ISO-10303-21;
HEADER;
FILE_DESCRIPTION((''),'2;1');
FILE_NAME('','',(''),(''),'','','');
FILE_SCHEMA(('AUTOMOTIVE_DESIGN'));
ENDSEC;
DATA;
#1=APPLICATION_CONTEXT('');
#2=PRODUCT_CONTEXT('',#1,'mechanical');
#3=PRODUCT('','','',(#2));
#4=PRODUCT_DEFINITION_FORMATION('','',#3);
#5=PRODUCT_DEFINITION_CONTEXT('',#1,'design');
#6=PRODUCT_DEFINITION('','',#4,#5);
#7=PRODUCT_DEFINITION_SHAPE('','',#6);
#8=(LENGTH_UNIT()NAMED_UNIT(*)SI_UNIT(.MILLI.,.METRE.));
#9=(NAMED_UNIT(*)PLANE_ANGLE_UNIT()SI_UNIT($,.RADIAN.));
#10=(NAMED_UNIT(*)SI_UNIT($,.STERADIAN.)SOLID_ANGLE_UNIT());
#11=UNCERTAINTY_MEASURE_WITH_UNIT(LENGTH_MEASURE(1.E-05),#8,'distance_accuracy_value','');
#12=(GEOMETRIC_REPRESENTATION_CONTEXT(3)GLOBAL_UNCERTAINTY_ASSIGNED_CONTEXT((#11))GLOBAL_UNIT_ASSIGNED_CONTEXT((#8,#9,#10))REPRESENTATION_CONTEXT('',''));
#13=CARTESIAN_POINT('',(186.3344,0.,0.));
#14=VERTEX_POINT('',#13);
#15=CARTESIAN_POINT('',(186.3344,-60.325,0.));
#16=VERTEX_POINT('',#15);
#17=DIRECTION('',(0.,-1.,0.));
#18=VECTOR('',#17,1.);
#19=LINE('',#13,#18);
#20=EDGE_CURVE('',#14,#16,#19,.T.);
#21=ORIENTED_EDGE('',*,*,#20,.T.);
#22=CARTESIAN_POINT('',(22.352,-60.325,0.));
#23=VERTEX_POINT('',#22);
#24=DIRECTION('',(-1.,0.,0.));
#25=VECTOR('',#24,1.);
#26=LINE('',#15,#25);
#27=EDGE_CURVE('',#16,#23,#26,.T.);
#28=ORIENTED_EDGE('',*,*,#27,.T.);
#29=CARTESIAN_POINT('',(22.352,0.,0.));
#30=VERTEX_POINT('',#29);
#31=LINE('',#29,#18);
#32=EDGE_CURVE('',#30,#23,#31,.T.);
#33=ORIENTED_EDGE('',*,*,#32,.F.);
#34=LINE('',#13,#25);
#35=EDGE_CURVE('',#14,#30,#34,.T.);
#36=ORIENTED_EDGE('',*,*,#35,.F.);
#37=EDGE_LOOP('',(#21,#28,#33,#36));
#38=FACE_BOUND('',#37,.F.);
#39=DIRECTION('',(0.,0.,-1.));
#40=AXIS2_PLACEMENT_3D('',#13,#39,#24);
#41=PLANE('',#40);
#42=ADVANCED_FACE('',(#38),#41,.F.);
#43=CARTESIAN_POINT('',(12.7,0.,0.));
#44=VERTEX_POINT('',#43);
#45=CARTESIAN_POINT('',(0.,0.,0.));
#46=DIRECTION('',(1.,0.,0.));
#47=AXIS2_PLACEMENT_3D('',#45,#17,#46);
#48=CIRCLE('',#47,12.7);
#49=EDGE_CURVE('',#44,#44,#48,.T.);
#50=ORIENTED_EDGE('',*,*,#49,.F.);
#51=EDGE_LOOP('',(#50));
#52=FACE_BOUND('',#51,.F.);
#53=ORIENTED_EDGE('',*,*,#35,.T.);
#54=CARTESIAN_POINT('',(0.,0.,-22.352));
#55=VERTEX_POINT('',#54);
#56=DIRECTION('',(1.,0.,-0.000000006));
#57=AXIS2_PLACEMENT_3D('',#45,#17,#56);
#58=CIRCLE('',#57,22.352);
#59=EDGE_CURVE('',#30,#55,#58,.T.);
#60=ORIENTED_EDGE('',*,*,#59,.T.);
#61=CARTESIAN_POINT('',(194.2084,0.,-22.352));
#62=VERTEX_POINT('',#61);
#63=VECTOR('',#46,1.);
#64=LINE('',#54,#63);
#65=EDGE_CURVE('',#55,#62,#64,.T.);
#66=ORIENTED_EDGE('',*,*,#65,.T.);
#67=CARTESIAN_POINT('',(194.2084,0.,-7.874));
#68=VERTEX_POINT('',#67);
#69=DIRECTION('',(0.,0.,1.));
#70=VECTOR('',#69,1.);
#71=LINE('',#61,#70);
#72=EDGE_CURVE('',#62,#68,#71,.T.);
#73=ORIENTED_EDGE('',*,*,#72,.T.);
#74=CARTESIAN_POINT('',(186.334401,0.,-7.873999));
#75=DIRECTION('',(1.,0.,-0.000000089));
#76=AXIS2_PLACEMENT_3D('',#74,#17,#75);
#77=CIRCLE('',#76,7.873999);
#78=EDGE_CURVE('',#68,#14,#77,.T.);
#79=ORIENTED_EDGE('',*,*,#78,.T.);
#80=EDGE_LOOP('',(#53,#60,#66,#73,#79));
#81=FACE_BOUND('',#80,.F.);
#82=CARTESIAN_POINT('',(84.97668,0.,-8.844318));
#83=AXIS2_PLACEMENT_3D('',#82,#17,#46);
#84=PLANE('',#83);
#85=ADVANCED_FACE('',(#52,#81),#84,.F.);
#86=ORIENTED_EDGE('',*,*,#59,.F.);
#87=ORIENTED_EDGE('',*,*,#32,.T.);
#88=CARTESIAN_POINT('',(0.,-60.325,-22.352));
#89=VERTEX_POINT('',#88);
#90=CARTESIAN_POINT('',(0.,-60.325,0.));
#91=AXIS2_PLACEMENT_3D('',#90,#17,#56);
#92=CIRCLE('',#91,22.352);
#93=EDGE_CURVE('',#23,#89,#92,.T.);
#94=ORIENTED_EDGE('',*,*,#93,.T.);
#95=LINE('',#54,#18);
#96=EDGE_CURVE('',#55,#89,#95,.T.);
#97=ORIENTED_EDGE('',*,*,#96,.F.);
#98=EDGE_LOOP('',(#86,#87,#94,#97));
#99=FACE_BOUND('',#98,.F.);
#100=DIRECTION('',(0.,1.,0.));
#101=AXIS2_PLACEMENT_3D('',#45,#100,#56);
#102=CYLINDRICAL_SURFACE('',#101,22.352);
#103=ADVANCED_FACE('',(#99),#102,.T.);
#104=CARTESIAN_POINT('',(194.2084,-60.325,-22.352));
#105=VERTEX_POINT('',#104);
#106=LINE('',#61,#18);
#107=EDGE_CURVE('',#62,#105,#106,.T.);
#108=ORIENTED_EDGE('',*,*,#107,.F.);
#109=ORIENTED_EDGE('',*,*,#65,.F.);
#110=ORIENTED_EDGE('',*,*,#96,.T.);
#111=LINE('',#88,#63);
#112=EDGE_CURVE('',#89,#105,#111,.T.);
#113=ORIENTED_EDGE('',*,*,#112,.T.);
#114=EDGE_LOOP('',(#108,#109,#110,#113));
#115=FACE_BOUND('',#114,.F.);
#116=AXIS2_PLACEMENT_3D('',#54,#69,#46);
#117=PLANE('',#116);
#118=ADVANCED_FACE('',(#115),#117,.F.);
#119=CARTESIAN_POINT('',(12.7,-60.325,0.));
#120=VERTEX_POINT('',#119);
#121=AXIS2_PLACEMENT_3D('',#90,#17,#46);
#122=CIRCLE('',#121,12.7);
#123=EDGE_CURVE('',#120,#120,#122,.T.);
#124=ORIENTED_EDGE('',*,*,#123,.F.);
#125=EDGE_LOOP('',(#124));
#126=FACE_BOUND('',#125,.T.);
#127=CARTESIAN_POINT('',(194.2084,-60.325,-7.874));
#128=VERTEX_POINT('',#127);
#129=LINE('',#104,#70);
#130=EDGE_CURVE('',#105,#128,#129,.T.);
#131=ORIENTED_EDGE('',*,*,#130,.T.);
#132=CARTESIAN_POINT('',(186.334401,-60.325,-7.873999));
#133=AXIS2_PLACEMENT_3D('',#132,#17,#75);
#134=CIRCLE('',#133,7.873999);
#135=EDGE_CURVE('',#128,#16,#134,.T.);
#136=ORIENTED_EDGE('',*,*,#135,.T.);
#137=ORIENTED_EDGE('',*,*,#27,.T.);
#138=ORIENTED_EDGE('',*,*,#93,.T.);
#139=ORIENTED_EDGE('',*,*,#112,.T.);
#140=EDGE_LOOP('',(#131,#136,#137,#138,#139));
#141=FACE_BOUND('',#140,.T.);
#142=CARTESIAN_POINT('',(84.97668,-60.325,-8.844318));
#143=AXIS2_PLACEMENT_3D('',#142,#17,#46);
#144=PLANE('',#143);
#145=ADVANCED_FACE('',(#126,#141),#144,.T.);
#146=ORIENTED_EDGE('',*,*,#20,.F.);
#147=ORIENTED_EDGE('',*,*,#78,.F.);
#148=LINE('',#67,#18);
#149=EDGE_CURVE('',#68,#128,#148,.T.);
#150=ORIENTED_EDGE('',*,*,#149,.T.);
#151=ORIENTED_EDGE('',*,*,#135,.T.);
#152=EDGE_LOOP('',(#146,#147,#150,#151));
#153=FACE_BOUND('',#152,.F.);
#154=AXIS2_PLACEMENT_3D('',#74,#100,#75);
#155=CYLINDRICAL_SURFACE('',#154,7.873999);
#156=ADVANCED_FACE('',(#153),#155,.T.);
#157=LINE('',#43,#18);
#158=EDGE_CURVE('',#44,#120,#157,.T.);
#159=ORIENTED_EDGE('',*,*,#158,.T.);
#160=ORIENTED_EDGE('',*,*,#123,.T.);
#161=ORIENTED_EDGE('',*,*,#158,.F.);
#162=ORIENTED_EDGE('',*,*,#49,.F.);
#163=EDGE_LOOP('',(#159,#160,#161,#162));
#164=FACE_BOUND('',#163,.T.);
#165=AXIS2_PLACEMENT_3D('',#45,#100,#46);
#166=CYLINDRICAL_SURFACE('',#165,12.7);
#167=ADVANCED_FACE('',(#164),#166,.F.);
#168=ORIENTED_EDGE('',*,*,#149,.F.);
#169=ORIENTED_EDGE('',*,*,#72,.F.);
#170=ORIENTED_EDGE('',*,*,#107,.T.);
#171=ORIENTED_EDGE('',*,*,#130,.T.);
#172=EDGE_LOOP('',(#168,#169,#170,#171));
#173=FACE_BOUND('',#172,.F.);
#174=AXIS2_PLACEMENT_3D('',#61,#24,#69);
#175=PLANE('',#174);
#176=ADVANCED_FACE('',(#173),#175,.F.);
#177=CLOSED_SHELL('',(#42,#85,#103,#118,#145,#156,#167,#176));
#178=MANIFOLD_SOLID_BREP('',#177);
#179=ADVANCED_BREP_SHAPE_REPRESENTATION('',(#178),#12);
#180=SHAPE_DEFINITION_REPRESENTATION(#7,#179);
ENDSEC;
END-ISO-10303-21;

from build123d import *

# Parameters (mm, degrees)
F0_R     = 12.7
F1_DEPTH = 60.325


with BuildPart() as f1:
    # F0 (on Front) → F1 (new body)
    with BuildSketch(Plane.XZ):
        with BuildLine():
            Line((186.3344, 0), (22.352, 0))
            ThreePointArc((22.352, 0), (-15.805251, 15.805251), (0, -22.352))
            Line((0, -22.352), (194.2084, -22.352))
            Line((194.2084, -22.352), (194.2084, -7.874))
            ThreePointArc((194.2084, -7.874), (191.902159, -2.306241), (186.3344, 0))
        make_face()
        Circle(F0_R, mode=Mode.SUBTRACT)
    extrude(amount=F1_DEPTH)


solid = f1.part
